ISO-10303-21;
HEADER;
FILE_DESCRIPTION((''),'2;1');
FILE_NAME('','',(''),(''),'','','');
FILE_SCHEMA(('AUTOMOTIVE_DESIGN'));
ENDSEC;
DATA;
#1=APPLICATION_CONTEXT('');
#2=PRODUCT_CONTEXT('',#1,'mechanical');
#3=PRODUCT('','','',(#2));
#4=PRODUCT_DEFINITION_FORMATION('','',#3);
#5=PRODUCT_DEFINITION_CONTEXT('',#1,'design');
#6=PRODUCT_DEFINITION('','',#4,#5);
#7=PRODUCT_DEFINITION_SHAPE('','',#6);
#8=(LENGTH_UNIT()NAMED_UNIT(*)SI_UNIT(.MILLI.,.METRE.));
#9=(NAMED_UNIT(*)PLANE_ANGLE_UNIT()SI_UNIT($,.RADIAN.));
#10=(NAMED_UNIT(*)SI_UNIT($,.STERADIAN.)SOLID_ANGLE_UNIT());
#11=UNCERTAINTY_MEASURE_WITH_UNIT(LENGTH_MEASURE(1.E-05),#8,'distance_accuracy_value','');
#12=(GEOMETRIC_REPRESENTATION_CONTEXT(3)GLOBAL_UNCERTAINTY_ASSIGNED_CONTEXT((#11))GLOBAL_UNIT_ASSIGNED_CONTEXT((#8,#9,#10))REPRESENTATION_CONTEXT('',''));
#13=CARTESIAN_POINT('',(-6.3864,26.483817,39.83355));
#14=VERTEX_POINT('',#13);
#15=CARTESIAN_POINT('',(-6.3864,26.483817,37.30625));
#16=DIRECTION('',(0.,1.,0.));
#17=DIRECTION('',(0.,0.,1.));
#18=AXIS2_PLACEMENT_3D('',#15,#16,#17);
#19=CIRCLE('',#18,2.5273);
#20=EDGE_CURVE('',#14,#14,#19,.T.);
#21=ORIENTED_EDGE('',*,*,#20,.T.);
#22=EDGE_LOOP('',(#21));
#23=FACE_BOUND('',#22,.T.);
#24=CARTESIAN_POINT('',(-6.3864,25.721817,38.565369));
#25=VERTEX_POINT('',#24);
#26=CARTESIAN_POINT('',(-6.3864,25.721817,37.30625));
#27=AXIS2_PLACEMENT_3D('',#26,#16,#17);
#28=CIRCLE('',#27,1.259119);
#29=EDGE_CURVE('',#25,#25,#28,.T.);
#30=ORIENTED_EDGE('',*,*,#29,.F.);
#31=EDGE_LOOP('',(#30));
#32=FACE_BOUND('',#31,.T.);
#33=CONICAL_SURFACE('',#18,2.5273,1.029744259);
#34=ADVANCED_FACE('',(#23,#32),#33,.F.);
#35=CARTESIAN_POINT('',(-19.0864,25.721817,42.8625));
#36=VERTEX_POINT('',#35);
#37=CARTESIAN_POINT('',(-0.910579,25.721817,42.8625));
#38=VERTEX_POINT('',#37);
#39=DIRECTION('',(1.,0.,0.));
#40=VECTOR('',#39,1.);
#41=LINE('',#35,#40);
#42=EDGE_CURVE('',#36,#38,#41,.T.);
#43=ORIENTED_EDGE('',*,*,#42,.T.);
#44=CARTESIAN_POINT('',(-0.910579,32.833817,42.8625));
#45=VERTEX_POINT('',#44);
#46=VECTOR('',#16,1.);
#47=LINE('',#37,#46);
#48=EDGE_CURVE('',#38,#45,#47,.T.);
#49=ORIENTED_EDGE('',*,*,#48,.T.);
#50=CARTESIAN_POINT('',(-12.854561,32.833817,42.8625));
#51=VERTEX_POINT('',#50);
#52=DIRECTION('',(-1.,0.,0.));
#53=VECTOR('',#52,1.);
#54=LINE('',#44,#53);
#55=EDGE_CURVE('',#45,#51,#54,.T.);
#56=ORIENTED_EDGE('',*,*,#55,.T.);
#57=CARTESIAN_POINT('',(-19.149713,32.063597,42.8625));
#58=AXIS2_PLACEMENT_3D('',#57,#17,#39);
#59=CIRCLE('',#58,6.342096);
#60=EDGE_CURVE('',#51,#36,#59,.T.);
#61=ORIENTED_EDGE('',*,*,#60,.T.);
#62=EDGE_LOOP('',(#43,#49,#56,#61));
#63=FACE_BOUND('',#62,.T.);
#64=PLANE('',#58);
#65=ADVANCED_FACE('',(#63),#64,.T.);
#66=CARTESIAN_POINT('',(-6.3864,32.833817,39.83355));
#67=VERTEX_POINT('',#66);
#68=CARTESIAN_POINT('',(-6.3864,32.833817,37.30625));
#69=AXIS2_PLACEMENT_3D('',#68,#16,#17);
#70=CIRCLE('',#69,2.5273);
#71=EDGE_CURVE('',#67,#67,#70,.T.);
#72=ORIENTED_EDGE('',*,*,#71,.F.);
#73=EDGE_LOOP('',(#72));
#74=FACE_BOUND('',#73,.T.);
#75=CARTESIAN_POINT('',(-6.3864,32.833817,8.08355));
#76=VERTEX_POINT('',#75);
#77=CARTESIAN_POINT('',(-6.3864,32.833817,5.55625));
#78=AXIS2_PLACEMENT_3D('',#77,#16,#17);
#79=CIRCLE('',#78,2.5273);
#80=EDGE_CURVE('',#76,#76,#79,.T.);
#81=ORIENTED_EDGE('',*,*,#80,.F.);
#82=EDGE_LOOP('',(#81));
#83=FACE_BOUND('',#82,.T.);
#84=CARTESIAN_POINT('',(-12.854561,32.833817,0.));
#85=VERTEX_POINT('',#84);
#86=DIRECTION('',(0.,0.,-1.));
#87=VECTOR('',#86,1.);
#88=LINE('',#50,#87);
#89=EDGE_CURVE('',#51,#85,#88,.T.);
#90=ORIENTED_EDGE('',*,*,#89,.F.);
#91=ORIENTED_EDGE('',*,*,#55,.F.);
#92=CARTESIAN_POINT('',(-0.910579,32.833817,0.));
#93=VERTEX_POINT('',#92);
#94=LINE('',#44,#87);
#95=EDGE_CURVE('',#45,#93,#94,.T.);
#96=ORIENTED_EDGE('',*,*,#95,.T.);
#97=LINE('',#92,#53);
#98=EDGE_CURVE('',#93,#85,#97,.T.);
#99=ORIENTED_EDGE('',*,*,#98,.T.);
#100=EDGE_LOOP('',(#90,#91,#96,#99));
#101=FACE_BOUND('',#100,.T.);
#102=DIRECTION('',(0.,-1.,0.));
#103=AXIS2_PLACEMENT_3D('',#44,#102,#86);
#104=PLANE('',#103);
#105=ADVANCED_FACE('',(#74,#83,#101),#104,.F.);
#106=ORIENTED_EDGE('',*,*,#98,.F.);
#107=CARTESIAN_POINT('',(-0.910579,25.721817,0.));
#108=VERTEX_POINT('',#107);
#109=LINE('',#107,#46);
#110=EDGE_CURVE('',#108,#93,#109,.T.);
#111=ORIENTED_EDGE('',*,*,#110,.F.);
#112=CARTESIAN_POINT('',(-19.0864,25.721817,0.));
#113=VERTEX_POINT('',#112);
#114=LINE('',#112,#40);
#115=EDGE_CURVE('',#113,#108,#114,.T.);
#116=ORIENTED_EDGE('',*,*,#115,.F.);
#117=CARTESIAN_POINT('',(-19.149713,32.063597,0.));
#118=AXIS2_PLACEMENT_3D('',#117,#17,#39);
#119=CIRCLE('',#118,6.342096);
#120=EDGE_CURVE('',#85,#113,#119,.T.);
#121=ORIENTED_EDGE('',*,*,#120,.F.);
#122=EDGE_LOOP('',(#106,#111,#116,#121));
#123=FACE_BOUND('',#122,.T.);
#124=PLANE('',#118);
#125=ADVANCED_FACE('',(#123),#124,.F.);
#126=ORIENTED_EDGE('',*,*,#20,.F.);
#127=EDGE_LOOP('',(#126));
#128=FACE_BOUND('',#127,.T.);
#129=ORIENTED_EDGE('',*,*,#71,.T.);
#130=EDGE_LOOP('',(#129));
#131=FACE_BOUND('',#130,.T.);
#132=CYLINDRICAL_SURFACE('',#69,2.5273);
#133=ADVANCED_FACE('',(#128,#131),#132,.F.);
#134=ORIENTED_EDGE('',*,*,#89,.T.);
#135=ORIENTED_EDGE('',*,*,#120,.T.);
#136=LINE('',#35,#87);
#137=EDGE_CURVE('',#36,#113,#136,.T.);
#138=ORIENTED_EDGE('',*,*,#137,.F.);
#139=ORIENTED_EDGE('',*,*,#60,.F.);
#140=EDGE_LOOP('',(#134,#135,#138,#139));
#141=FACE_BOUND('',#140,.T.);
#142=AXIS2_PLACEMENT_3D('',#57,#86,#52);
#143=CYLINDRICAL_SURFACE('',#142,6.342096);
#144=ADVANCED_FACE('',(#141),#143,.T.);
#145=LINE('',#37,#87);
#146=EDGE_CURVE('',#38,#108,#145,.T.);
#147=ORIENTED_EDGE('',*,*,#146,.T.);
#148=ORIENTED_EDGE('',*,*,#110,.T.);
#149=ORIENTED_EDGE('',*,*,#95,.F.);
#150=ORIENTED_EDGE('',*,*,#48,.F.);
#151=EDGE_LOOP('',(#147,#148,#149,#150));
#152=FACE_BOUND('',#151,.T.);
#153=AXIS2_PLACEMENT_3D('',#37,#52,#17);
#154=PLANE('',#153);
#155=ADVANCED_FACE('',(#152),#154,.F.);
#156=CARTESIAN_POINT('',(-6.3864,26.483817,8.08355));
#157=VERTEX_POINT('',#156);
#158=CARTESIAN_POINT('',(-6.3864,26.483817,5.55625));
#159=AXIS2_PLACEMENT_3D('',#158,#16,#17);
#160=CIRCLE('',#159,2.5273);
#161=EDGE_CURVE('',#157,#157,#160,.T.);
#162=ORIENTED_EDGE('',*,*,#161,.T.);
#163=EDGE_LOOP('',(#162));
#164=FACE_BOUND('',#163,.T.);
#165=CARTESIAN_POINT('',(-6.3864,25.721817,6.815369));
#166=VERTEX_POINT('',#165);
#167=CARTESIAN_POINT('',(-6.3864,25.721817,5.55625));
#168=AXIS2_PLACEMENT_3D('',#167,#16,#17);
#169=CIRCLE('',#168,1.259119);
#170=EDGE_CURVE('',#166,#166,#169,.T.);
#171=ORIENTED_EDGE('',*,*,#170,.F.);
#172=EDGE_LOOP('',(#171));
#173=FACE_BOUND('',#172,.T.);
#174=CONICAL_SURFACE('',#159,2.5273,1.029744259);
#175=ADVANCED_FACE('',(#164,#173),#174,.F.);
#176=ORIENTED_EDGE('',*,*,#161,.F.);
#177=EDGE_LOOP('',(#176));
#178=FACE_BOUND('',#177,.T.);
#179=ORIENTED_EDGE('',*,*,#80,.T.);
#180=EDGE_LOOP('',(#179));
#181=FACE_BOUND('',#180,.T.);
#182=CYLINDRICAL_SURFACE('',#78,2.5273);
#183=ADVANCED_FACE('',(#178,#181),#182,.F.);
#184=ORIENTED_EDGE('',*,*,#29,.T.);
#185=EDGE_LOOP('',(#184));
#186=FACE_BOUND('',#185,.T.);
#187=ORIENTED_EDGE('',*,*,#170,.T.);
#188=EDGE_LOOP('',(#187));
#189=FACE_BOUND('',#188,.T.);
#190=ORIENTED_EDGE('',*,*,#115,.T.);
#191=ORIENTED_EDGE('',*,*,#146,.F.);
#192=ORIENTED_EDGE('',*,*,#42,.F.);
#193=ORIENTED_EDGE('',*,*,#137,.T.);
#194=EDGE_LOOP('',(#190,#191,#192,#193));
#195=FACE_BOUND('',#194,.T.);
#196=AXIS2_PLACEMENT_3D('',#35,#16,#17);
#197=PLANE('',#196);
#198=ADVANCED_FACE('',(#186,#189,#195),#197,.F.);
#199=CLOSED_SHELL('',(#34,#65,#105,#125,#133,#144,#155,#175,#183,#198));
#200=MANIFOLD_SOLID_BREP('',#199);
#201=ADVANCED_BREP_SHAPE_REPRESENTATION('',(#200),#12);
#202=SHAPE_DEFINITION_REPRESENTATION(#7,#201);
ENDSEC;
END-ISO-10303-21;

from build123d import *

# Parameters (mm, degrees)
BOSS_EXTRUDE1_DEPTH            = 42.8625
F_8_0_199_DIAMETER_HOLE1_D     = 5.0546
F_8_0_199_DIAMETER_HOLE1_DEPTH = 6.35
F_8_0_199_DIAMETER_HOLE1_TIP   = 1.518555042


with BuildPart() as part:
    # Sketch1 → Boss-Extrude1 (new body)
    with BuildSketch(Plane.XY):
        with BuildLine():
            Line((-19.0864, 25.721816942), (-0.91057904, 25.721816942))
            Line((-0.91057904, 25.721816942), (-0.91057904, 32.833816942))
            Line((-0.91057904, 32.833816942), (-12.854560562, 32.833816942))
            ThreePointArc((-12.854560562, 32.833816942), (-23.919686684, 36.243252538), (-19.0864, 25.721816942))
        make_face()
    extrude(amount=BOSS_EXTRUDE1_DEPTH)

    # #8 (0.199) Diameter Hole1
    with Locations(Plane(origin=(0, 32.833816942, 0), x_dir=(-1, 0, 0), z_dir=(0, 1, 0))):
        with Locations((6.3864, 37.30625), (6.3864, 5.55625)):
            Hole(F_8_0_199_DIAMETER_HOLE1_D / 2, depth=F_8_0_199_DIAMETER_HOLE1_DEPTH)
            with Locations((0, 0, -(F_8_0_199_DIAMETER_HOLE1_DEPTH + F_8_0_199_DIAMETER_HOLE1_TIP / 2))):  # 118° drill point
                Cone(0, F_8_0_199_DIAMETER_HOLE1_D / 2, F_8_0_199_DIAMETER_HOLE1_TIP, mode=Mode.SUBTRACT)


solid = part.part
